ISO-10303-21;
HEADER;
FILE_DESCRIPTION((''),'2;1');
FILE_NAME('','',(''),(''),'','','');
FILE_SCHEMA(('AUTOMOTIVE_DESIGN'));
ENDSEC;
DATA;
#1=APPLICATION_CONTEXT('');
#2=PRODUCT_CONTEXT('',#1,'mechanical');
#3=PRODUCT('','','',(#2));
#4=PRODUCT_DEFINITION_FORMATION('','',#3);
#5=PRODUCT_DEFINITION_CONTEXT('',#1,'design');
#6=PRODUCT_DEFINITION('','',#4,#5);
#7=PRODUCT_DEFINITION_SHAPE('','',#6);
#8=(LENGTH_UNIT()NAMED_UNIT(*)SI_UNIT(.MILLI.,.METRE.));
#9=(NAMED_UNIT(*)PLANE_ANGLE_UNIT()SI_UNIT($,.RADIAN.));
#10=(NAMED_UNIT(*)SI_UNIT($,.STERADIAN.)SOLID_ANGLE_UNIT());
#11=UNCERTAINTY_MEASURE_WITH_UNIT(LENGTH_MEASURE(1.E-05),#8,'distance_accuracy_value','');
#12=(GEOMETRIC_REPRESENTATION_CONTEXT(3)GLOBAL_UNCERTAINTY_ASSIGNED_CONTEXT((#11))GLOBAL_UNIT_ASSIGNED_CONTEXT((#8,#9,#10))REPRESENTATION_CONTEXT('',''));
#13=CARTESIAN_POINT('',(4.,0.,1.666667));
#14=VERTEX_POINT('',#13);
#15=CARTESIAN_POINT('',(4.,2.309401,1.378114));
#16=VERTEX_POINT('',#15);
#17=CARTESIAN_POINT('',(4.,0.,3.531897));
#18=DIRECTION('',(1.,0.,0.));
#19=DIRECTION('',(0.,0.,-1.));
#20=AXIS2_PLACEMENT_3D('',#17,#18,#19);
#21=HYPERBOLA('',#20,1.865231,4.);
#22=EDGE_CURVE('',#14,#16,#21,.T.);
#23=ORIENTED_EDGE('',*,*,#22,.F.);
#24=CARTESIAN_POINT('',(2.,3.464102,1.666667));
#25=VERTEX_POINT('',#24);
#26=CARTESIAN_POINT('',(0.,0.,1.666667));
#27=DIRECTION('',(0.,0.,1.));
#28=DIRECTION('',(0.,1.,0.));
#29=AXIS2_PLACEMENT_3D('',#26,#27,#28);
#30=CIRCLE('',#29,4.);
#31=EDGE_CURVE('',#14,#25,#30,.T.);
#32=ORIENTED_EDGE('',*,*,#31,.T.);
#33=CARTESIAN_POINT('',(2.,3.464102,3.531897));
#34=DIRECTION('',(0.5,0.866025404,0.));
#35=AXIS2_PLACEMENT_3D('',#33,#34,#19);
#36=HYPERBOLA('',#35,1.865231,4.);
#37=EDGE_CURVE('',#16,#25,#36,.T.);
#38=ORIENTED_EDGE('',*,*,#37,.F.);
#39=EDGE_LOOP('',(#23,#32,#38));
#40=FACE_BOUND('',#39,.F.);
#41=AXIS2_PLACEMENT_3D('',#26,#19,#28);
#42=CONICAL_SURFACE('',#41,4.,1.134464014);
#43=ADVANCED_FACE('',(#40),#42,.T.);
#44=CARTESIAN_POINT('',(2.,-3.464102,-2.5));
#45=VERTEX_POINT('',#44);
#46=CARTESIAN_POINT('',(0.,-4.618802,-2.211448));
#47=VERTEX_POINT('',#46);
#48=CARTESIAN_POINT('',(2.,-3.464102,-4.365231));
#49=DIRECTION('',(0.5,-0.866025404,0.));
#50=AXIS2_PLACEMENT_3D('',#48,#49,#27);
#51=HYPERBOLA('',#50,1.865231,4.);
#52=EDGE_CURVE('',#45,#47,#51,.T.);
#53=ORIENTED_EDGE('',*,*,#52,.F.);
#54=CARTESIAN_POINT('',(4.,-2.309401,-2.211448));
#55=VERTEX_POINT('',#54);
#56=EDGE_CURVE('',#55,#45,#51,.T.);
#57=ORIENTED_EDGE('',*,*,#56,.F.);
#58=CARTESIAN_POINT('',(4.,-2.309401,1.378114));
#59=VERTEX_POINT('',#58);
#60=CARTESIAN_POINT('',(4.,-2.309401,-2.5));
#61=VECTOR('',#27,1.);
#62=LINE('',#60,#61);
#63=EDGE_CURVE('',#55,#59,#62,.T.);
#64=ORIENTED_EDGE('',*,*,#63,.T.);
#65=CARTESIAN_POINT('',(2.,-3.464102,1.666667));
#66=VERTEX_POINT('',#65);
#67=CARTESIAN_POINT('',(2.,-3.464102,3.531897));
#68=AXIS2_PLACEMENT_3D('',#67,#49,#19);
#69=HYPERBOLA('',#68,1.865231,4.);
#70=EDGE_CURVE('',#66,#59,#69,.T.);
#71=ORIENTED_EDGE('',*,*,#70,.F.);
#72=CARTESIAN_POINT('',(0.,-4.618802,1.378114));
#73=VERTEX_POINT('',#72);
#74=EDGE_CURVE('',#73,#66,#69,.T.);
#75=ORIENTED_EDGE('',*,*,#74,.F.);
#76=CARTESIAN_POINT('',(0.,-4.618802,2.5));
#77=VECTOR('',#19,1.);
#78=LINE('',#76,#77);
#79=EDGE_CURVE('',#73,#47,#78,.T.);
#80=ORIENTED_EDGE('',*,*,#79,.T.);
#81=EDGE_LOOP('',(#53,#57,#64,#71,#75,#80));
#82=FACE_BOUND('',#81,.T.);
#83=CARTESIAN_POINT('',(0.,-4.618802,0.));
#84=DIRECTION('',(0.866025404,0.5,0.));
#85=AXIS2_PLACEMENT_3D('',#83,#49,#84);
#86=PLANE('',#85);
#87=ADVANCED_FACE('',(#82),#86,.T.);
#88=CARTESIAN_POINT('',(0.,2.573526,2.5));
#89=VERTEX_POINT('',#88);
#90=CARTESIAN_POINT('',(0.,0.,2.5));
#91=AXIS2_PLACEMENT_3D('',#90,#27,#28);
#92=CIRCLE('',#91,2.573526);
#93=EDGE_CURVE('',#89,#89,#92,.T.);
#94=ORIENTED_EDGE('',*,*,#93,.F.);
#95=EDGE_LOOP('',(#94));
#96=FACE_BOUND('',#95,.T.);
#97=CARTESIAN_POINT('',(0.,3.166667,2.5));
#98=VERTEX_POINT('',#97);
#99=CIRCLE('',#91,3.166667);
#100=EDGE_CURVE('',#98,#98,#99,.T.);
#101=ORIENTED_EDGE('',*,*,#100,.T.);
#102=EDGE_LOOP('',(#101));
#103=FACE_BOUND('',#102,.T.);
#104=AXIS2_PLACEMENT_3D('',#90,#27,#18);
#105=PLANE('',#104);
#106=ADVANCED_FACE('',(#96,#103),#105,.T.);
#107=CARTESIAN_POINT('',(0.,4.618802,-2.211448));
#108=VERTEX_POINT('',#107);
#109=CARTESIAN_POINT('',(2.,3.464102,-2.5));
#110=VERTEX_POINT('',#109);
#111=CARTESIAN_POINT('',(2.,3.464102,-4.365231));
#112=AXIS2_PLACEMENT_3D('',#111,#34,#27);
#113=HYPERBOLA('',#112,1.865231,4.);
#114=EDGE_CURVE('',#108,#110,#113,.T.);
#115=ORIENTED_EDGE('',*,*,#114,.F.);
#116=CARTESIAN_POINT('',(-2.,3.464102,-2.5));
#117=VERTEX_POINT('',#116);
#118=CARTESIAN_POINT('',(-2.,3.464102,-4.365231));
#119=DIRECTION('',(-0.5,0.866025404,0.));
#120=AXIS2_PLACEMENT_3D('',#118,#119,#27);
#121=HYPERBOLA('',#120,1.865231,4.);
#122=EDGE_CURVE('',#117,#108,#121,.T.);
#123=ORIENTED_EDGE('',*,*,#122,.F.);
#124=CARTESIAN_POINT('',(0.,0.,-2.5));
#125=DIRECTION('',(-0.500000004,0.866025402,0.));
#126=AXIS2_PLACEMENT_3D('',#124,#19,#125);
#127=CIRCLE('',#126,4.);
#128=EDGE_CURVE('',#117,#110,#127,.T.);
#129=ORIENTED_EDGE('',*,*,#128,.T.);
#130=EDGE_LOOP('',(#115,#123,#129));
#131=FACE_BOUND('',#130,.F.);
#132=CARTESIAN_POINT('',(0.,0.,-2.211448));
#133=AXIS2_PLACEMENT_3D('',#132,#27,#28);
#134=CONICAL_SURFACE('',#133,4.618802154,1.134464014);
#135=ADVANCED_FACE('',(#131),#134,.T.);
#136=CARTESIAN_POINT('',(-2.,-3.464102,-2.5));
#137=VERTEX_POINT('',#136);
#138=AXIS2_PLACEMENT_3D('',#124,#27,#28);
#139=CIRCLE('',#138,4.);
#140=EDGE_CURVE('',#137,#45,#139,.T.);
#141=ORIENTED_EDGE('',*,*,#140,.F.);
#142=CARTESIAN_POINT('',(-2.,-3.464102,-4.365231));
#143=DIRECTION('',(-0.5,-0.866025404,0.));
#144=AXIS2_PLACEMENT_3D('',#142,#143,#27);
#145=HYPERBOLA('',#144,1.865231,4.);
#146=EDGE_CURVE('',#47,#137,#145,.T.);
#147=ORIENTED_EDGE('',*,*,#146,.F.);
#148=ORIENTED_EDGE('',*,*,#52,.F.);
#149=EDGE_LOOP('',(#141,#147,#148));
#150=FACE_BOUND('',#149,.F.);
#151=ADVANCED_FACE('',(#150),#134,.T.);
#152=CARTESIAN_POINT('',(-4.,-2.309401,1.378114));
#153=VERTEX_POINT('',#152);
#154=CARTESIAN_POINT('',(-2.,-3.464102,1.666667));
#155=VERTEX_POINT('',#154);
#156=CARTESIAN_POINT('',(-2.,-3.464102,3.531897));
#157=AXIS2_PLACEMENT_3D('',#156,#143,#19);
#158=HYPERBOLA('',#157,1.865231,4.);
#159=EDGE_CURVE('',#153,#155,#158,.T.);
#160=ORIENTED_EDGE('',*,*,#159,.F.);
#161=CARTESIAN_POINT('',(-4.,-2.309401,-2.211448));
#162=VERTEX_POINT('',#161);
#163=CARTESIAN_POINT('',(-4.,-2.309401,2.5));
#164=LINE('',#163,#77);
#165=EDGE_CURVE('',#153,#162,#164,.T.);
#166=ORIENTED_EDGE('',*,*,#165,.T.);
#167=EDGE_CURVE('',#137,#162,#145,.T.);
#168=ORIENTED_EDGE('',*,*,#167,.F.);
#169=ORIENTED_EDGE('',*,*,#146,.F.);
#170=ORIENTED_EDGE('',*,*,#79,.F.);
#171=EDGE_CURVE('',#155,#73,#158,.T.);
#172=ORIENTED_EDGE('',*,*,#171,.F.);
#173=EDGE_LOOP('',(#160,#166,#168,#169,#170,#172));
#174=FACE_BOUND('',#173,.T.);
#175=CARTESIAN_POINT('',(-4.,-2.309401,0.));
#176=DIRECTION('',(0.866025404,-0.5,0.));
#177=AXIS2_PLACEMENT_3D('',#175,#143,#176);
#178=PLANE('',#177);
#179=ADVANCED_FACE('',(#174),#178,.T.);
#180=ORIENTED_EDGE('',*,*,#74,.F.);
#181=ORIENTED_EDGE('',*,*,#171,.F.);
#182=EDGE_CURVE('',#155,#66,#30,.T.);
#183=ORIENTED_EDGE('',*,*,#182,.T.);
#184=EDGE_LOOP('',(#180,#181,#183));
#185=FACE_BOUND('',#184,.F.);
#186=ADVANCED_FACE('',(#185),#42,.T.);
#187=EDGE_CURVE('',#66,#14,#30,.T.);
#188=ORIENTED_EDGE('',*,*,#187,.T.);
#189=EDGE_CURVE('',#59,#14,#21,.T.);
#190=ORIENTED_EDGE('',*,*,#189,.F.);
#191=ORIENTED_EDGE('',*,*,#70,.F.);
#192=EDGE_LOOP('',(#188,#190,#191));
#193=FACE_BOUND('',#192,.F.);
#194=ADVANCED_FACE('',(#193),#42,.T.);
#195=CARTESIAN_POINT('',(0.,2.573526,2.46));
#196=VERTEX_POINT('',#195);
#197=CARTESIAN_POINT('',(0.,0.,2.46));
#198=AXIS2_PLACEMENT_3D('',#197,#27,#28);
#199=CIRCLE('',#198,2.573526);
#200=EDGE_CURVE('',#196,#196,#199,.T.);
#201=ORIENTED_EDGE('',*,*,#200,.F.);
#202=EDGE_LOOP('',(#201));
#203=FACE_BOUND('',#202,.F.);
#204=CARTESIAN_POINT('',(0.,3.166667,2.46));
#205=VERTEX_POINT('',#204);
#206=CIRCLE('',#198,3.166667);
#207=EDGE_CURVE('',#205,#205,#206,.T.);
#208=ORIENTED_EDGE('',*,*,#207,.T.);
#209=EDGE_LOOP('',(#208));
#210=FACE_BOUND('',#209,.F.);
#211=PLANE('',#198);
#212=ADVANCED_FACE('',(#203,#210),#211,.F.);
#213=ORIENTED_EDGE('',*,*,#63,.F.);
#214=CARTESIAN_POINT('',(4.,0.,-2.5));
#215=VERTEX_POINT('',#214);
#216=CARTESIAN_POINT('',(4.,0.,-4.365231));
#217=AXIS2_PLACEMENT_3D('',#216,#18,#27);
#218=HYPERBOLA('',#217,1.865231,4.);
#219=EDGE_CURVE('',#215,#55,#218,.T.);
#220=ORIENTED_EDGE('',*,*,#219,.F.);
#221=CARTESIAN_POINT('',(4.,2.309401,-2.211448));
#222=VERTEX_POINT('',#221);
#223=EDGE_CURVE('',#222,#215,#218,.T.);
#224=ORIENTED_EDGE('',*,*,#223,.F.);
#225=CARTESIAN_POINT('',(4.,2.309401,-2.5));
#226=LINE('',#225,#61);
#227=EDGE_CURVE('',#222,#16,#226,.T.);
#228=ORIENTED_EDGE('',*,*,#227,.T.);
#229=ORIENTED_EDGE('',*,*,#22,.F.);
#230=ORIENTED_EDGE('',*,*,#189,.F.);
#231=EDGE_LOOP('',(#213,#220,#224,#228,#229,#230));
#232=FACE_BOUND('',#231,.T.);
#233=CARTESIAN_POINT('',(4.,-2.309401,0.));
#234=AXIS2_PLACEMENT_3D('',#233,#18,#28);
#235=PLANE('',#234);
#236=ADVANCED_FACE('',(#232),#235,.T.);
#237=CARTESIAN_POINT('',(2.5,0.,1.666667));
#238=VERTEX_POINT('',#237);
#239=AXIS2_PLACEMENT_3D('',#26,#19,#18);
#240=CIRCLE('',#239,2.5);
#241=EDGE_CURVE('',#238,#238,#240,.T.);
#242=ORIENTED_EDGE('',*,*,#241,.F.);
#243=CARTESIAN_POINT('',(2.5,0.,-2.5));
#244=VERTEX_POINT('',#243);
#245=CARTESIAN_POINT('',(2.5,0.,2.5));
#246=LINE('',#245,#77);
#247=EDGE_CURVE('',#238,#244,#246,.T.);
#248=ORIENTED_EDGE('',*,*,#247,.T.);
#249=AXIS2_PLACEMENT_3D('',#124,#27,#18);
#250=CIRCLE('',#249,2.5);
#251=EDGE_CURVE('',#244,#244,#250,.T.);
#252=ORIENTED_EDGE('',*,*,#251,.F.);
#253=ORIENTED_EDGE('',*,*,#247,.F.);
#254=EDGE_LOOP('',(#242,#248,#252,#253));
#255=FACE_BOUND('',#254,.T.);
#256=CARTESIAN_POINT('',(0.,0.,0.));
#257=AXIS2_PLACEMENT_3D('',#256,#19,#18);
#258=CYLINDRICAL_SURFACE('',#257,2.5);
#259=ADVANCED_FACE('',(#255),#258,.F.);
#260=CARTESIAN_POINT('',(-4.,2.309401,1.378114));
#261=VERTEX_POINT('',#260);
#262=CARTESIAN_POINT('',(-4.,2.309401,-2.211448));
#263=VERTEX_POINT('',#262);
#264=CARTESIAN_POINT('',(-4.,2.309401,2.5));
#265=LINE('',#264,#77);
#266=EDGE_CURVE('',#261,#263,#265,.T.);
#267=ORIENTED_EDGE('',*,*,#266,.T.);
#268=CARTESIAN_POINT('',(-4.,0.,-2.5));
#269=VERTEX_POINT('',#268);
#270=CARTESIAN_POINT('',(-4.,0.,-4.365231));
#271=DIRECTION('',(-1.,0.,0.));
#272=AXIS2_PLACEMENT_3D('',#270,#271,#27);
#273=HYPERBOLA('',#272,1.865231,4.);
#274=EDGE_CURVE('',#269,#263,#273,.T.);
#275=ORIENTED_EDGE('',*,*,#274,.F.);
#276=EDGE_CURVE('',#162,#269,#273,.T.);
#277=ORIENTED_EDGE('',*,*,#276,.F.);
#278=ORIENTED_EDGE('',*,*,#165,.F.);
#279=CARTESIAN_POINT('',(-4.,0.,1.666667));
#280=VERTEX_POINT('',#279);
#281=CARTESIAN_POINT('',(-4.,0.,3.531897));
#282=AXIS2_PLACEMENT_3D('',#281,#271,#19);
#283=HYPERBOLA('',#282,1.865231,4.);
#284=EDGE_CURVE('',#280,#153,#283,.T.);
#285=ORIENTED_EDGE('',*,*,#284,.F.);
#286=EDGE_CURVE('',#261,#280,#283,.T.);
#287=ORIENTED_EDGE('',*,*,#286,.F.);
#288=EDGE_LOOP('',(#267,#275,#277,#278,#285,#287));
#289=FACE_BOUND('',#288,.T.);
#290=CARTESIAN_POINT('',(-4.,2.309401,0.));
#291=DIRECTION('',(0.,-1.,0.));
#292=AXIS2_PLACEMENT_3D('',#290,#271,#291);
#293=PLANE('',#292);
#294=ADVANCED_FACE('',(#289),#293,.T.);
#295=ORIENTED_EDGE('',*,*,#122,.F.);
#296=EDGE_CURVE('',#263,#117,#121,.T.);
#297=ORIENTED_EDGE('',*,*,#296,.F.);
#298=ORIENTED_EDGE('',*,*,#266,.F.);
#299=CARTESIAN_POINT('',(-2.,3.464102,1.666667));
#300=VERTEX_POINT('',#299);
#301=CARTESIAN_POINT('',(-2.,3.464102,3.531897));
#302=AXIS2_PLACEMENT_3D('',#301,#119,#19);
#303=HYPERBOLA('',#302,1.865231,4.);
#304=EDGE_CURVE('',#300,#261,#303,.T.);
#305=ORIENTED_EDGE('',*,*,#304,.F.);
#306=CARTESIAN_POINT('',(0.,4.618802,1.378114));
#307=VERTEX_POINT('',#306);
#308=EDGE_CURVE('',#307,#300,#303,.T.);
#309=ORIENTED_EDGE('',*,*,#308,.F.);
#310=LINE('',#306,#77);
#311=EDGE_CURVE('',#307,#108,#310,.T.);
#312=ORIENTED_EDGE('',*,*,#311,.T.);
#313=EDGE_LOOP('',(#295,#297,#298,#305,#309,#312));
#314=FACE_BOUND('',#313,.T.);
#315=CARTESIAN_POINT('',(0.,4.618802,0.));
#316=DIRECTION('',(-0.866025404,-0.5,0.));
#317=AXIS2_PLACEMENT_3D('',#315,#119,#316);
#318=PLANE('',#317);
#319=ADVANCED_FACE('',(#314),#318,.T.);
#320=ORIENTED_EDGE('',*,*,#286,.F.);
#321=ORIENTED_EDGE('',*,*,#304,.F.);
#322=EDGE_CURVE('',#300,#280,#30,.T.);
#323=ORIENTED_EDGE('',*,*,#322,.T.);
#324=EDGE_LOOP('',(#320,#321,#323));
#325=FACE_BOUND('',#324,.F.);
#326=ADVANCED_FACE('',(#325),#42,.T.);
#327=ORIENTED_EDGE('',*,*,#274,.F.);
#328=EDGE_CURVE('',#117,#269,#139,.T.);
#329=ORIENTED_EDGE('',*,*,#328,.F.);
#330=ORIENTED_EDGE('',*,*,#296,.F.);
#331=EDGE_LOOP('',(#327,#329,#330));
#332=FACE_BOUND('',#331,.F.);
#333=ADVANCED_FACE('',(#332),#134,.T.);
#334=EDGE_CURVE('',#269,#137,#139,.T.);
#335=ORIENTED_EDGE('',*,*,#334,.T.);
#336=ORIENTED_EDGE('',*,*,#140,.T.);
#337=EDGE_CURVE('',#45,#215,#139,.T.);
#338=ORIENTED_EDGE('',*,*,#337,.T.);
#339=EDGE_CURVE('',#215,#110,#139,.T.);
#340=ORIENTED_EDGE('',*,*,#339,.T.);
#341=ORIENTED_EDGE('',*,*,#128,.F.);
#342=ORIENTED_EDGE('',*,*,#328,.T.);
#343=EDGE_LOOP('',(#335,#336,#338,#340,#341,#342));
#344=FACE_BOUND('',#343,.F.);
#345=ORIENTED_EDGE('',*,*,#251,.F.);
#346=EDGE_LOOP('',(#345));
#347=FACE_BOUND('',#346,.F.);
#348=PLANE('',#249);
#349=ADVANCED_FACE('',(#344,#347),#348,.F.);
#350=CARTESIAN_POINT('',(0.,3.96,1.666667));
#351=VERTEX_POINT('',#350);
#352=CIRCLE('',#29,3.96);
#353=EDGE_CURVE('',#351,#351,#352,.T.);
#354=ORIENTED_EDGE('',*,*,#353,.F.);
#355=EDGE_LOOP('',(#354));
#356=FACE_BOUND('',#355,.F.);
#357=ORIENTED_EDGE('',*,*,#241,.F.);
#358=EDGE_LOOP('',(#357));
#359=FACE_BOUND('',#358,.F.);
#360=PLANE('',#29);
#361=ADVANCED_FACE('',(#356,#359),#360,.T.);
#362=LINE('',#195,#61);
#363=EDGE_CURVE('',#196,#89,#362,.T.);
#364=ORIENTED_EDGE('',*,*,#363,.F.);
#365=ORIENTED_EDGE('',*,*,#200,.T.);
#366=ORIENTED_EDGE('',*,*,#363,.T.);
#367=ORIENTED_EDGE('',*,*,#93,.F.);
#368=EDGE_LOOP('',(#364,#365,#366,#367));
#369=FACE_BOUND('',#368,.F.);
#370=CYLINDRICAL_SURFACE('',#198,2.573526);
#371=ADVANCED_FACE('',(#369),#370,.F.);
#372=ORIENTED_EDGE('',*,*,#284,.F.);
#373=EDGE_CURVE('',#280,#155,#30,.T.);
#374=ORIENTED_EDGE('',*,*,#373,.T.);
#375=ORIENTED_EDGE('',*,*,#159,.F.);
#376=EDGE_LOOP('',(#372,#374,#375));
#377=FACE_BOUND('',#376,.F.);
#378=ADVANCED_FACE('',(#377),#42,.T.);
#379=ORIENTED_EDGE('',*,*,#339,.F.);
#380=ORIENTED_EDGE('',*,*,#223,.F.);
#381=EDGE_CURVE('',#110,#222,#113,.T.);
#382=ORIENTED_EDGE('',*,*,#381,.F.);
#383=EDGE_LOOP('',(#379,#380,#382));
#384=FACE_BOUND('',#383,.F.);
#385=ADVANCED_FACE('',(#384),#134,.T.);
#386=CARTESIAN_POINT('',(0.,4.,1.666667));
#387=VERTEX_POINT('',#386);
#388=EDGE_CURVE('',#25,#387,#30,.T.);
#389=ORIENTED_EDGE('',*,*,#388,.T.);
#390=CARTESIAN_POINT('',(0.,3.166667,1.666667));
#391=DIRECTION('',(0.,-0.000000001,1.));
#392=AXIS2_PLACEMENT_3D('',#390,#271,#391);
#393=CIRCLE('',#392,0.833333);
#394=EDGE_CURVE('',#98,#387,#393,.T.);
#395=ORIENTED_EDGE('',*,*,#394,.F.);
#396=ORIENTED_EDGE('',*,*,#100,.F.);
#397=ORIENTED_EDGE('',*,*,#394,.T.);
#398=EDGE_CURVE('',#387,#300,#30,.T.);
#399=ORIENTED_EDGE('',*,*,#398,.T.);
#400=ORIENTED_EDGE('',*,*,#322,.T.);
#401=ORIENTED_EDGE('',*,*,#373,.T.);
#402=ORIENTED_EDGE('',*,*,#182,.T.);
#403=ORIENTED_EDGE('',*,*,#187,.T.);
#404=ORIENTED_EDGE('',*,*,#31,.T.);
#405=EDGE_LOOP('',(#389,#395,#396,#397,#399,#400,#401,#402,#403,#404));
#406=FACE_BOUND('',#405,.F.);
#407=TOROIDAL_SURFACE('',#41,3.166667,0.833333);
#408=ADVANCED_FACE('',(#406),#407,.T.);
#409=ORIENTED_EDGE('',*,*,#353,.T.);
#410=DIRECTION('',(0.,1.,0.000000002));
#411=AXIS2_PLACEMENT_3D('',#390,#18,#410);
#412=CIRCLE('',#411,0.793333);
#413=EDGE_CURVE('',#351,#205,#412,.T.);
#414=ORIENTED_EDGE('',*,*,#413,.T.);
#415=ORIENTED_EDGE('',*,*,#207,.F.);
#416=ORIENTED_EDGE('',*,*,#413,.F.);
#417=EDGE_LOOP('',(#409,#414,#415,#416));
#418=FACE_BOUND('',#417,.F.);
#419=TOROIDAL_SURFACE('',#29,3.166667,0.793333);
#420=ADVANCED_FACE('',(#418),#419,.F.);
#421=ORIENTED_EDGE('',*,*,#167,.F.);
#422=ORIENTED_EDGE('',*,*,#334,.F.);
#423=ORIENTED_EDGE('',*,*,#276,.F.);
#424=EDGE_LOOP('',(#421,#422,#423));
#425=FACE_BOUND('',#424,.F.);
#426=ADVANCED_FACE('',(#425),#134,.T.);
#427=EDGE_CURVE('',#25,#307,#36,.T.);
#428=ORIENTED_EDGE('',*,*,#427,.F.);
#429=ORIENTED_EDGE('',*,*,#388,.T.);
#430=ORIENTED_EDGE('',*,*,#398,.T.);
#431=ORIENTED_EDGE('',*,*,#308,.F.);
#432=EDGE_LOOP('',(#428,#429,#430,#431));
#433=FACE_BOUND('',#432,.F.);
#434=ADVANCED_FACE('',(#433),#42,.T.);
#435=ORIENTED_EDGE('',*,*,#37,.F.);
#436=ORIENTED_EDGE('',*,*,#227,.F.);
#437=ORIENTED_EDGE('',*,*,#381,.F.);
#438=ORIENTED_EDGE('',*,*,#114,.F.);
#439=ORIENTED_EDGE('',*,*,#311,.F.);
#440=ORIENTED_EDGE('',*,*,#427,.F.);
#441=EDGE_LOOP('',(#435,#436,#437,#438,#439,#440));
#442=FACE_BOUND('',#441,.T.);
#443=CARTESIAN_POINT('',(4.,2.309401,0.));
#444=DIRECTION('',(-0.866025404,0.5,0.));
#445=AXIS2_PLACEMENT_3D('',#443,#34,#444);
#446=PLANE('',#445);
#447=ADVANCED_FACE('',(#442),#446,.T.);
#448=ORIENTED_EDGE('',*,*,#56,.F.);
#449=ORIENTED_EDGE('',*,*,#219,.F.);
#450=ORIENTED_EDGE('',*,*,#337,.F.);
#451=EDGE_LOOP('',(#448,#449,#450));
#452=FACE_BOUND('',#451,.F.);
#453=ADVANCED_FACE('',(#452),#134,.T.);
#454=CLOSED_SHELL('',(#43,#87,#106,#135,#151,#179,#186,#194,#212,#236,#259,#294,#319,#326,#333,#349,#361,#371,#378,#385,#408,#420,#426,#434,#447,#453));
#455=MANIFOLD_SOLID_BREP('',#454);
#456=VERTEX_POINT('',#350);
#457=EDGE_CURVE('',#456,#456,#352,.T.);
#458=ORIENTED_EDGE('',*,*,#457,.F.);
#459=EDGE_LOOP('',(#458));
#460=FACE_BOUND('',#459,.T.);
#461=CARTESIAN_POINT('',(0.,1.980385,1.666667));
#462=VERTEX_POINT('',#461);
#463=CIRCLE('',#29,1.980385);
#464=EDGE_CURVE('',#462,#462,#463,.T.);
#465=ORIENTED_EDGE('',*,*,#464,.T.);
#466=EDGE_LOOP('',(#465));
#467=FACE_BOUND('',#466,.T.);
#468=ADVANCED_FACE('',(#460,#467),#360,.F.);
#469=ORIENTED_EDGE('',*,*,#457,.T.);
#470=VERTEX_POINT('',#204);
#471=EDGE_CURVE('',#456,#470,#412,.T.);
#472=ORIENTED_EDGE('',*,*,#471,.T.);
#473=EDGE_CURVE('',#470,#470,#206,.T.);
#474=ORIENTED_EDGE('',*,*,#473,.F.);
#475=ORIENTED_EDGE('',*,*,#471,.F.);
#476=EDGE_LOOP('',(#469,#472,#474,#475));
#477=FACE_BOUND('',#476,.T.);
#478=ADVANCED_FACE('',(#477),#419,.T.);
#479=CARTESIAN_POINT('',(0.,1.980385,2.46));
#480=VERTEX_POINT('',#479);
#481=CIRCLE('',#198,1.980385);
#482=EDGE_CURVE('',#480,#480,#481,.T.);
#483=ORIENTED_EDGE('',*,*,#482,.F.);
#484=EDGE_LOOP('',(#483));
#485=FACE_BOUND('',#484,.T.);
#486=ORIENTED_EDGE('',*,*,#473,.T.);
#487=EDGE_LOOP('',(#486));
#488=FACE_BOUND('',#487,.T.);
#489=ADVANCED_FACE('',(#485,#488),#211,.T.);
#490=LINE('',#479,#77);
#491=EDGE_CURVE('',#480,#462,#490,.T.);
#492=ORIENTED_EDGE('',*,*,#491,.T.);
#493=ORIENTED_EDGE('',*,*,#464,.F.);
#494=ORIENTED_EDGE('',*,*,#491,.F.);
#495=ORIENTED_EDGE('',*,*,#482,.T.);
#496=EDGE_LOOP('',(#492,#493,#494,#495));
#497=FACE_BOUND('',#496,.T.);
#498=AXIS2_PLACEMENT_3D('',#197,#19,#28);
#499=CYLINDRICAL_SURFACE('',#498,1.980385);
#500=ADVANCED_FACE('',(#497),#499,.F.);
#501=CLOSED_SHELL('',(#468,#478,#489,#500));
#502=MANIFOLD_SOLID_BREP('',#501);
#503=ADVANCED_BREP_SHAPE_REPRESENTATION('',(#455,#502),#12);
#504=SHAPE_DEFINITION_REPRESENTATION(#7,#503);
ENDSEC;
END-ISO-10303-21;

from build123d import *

# Parameters (mm, degrees)
SKETCH3_R           = 2.5
BOSS_EXTRUDE1_DEPTH = 2.5


with BuildPart() as part:
    # Sketch3 → Boss-Extrude1 (new, symmetric)
    with BuildSketch(Plane.XY):
        Polygon((0, -4.618802154), (4, -2.309401077), (4, 2.309401077), (0, 4.618802154), (-4, 2.309401077), (-4, -2.309401077), align=None)
        Circle(SKETCH3_R, mode=Mode.SUBTRACT)
    extrude(amount=BOSS_EXTRUDE1_DEPTH, both=True)

    # Sketch4 → Cut-Revolve1 (revolve, cut)
    with BuildSketch(Plane(origin=(0, 0, 0), x_dir=(0, 0, -1), z_dir=(1, 0, 0))):
        with BuildLine():
            Line((3.77, 5.888802154), (-3.77, 5.888802154))
            Line((-3.77, 5.888802154), (-3.77, 3.166666667))
            Line((-3.77, 3.166666667), (-2.5, 3.166666667))
            ThreePointArc((-2.5, 3.166666667), (-2.255922318, 3.755922318), (-1.666666667, 4))
            Line((-1.666666667, 4), (-1.378114484, 4.618802154))
            Line((-1.378114484, 4.618802154), (2.211447817, 4.618802154))
            Line((2.211447817, 4.618802154), (2.5, 4))
            Line((2.5, 4), (2.5, 0))
            Line((2.5, 0), (3.77, 0))
            Line((3.77, 0), (3.77, 5.888802154))
        make_face()
        with BuildLine():
            Line((-3.77, 2.573525712), (-3.77, 0))
            Line((-3.77, 0), (-1.666666667, 0))
            Line((-1.666666667, 0), (-1.666666667, 3.96))
            ThreePointArc((-1.666666667, 3.96), (-2.227638046, 3.727638046), (-2.46, 3.166666667))
            Line((-2.46, 3.166666667), (-2.46, 2.573525712))
            Line((-2.46, 2.573525712), (-3.77, 2.573525712))
        make_face()
    revolve(axis=Axis((0, 0, -2.5), (0, 0, 1)), mode=Mode.SUBTRACT)


with BuildPart() as body_2:
    # Sketch5 → Revolve1 (revolve)
    with BuildSketch(Plane(origin=(0, 0, 0), x_dir=(0, 0, -1), z_dir=(1, 0, 0))):
        with BuildLine():
            Line((-2.46, 3.166666667), (-2.46, 1.980384758))
            Line((-2.46, 1.980384758), (-1.666666667, 1.980384758))
            Line((-1.666666667, 1.980384758), (-1.666666667, 3.96))
            ThreePointArc((-1.666666667, 3.96), (-2.227638046, 3.727638046), (-2.46, 3.166666667))
        make_face()
    revolve(axis=Axis((0, 0, -2.5), (0, 0, 1)))


solid = Compound([part.part, body_2.part])
